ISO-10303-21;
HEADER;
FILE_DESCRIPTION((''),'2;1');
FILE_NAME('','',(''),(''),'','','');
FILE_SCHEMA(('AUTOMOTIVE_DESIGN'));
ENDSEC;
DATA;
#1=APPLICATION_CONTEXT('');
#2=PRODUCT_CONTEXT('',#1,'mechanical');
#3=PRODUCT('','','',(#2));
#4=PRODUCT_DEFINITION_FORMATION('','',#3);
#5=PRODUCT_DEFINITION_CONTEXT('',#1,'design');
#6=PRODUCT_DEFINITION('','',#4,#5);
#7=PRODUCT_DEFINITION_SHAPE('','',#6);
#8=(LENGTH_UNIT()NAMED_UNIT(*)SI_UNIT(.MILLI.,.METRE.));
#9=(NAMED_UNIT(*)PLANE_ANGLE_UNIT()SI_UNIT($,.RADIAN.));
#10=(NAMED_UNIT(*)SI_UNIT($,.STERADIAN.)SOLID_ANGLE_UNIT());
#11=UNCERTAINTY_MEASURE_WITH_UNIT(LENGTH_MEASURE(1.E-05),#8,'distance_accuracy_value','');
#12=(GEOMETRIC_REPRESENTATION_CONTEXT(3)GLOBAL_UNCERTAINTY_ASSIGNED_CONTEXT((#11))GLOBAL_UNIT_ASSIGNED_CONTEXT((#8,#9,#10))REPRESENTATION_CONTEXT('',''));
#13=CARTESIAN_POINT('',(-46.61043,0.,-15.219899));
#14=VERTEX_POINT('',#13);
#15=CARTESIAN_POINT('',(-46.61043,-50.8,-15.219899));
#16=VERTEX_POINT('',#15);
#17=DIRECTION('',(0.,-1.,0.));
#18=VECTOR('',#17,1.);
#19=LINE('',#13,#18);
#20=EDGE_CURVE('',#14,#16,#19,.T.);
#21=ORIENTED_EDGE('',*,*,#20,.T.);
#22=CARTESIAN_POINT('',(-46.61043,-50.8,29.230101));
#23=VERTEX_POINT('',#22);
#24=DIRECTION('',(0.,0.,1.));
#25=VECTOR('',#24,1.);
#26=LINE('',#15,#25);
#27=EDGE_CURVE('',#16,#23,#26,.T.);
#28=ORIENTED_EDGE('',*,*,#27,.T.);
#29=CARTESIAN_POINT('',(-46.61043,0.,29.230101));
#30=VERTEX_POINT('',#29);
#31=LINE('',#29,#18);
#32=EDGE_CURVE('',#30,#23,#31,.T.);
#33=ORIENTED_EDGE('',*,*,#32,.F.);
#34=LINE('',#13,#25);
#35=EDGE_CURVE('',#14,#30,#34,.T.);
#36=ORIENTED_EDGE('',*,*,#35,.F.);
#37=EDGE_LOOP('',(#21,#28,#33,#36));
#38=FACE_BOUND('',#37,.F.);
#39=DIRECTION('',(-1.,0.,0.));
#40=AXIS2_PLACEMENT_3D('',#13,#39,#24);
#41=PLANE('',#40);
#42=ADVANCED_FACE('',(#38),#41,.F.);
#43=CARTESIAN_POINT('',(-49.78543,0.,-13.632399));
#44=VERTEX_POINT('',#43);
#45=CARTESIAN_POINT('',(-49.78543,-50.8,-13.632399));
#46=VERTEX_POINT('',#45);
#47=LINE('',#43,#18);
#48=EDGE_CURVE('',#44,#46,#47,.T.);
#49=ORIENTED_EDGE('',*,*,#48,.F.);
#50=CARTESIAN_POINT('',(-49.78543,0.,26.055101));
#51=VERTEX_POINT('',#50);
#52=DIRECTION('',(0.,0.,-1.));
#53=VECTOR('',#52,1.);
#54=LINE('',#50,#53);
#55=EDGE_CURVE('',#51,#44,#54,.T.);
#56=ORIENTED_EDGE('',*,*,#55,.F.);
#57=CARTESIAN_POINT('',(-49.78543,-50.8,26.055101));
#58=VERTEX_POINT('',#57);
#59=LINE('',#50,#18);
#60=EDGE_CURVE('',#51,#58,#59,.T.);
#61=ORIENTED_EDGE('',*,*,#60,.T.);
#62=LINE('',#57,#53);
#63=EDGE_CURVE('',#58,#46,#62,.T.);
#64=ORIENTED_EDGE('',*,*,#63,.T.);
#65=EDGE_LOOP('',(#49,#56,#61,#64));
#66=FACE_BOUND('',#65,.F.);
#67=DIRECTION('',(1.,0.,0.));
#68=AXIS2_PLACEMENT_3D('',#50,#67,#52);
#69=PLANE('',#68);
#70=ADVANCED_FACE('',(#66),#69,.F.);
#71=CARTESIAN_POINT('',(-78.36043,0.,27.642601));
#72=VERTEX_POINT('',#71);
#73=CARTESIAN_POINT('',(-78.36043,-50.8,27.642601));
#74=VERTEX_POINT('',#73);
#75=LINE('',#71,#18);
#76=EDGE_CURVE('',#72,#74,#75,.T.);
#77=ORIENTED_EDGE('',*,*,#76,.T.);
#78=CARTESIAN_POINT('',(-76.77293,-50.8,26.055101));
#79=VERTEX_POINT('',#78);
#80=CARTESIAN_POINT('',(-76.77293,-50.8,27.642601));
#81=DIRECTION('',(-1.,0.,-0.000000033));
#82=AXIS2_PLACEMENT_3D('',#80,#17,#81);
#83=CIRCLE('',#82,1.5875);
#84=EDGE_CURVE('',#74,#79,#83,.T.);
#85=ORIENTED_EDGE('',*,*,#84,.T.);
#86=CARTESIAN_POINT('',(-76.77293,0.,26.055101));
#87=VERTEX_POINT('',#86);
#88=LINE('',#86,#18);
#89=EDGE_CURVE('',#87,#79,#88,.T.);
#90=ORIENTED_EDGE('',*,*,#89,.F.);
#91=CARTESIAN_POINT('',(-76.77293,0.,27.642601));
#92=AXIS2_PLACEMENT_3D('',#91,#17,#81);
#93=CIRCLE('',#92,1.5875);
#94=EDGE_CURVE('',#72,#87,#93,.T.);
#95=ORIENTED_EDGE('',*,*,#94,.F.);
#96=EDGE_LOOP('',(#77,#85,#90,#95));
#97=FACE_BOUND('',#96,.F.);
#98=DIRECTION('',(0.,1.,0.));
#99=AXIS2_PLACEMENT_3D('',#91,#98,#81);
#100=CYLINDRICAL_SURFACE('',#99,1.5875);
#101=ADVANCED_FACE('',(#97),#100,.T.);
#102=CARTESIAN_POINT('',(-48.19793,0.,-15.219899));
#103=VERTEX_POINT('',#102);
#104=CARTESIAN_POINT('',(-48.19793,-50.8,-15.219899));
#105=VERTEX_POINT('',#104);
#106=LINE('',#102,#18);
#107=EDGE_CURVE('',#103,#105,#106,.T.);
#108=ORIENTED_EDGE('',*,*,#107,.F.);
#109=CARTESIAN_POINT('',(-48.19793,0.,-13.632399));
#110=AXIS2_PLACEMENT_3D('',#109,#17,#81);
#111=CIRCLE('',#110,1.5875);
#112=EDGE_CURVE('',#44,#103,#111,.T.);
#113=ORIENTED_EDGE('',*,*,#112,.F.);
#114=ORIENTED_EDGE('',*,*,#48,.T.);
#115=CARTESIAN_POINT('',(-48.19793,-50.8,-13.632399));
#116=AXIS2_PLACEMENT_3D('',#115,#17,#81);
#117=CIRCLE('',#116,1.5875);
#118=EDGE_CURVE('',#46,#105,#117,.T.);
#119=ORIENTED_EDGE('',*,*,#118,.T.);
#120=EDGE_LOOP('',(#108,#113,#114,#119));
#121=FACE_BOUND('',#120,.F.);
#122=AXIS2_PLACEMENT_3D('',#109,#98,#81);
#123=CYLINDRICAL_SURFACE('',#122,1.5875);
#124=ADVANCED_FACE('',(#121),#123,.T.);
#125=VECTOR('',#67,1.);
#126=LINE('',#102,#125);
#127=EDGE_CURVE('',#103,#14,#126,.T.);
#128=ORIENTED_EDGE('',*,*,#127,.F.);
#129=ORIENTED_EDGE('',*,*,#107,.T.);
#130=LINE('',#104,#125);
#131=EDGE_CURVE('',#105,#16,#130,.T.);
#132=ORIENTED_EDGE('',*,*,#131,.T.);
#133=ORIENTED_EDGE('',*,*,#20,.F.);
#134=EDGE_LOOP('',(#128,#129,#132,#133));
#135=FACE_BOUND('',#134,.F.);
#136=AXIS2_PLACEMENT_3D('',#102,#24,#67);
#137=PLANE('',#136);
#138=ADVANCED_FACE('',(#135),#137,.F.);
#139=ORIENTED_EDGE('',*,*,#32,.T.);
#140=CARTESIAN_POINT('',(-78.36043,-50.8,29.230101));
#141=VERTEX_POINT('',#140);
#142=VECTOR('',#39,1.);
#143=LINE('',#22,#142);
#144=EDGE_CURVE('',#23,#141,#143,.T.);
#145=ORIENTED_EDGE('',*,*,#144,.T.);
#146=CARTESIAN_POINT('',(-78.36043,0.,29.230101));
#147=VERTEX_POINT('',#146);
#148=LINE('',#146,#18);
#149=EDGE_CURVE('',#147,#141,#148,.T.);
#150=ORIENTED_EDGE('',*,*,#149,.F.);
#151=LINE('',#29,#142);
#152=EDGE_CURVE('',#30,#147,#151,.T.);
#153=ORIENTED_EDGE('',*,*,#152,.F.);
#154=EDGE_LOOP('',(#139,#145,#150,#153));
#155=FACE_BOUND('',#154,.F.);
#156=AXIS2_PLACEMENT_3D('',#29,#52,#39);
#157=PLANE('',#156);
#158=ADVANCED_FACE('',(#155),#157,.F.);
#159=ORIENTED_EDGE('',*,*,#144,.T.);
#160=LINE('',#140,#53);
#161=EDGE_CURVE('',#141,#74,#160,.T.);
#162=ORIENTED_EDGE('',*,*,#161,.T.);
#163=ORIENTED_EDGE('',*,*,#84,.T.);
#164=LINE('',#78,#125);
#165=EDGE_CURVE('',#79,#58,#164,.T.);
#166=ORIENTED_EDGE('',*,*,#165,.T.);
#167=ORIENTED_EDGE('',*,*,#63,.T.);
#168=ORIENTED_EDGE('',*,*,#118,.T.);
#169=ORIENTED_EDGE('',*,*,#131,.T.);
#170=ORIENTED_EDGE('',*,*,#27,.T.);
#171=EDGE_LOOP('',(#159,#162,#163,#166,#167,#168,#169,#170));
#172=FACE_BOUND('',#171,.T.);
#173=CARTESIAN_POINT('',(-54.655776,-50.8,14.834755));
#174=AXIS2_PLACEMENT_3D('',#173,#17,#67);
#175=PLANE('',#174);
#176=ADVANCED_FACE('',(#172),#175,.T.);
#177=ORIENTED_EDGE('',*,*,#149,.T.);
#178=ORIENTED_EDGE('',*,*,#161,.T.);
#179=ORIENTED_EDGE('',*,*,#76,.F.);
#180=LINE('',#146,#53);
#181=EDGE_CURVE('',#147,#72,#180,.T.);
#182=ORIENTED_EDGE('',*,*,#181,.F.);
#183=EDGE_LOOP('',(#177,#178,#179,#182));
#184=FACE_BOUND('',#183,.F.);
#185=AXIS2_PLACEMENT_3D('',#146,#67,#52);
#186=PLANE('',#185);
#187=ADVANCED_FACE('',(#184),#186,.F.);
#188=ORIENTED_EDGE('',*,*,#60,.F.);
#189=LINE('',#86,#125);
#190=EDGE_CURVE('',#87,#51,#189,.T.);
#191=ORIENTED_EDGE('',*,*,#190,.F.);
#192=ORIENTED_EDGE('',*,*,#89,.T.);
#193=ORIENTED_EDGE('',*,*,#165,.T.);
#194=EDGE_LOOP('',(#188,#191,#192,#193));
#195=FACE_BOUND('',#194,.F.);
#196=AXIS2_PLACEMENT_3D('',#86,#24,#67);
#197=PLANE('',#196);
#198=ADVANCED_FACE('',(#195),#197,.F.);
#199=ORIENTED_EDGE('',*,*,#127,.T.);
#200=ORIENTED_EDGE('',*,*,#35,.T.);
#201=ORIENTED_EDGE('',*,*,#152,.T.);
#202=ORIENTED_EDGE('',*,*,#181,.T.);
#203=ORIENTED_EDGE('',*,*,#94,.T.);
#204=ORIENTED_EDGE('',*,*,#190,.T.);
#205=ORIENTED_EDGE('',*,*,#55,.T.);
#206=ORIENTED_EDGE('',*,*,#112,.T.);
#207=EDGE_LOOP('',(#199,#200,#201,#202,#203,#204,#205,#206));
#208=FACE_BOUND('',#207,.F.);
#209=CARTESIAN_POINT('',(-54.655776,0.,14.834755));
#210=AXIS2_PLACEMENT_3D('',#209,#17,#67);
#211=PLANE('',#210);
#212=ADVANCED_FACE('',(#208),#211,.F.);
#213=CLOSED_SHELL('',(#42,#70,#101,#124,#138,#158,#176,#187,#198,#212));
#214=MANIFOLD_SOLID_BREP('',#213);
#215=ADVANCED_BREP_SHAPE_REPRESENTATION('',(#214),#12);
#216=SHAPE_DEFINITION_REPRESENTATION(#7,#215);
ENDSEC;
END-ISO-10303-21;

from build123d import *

# Parameters (mm, degrees)
F1_DEPTH = 50.8


with BuildPart() as f1:
    # F0 (on Front) → F1 (new body)
    with BuildSketch(Plane.XZ):
        with BuildLine():
            Line((-46.61043, 29.230101), (-78.36043, 29.230101))
            Line((-78.36043, 29.230101), (-78.36043, 27.642601))
            ThreePointArc((-78.36043, 27.642601), (-77.895462, 26.520069), (-76.77293, 26.055101))
            Line((-76.77293, 26.055101), (-49.78543, 26.055101))
            Line((-49.78543, 26.055101), (-49.78543, -13.632399))
            ThreePointArc((-49.78543, -13.632399), (-49.320462, -14.754931), (-48.19793, -15.219899))
            Line((-48.19793, -15.219899), (-46.61043, -15.219899))
            Line((-46.61043, -15.219899), (-46.61043, 29.230101))
        make_face()
    extrude(amount=F1_DEPTH)


solid = f1.part
